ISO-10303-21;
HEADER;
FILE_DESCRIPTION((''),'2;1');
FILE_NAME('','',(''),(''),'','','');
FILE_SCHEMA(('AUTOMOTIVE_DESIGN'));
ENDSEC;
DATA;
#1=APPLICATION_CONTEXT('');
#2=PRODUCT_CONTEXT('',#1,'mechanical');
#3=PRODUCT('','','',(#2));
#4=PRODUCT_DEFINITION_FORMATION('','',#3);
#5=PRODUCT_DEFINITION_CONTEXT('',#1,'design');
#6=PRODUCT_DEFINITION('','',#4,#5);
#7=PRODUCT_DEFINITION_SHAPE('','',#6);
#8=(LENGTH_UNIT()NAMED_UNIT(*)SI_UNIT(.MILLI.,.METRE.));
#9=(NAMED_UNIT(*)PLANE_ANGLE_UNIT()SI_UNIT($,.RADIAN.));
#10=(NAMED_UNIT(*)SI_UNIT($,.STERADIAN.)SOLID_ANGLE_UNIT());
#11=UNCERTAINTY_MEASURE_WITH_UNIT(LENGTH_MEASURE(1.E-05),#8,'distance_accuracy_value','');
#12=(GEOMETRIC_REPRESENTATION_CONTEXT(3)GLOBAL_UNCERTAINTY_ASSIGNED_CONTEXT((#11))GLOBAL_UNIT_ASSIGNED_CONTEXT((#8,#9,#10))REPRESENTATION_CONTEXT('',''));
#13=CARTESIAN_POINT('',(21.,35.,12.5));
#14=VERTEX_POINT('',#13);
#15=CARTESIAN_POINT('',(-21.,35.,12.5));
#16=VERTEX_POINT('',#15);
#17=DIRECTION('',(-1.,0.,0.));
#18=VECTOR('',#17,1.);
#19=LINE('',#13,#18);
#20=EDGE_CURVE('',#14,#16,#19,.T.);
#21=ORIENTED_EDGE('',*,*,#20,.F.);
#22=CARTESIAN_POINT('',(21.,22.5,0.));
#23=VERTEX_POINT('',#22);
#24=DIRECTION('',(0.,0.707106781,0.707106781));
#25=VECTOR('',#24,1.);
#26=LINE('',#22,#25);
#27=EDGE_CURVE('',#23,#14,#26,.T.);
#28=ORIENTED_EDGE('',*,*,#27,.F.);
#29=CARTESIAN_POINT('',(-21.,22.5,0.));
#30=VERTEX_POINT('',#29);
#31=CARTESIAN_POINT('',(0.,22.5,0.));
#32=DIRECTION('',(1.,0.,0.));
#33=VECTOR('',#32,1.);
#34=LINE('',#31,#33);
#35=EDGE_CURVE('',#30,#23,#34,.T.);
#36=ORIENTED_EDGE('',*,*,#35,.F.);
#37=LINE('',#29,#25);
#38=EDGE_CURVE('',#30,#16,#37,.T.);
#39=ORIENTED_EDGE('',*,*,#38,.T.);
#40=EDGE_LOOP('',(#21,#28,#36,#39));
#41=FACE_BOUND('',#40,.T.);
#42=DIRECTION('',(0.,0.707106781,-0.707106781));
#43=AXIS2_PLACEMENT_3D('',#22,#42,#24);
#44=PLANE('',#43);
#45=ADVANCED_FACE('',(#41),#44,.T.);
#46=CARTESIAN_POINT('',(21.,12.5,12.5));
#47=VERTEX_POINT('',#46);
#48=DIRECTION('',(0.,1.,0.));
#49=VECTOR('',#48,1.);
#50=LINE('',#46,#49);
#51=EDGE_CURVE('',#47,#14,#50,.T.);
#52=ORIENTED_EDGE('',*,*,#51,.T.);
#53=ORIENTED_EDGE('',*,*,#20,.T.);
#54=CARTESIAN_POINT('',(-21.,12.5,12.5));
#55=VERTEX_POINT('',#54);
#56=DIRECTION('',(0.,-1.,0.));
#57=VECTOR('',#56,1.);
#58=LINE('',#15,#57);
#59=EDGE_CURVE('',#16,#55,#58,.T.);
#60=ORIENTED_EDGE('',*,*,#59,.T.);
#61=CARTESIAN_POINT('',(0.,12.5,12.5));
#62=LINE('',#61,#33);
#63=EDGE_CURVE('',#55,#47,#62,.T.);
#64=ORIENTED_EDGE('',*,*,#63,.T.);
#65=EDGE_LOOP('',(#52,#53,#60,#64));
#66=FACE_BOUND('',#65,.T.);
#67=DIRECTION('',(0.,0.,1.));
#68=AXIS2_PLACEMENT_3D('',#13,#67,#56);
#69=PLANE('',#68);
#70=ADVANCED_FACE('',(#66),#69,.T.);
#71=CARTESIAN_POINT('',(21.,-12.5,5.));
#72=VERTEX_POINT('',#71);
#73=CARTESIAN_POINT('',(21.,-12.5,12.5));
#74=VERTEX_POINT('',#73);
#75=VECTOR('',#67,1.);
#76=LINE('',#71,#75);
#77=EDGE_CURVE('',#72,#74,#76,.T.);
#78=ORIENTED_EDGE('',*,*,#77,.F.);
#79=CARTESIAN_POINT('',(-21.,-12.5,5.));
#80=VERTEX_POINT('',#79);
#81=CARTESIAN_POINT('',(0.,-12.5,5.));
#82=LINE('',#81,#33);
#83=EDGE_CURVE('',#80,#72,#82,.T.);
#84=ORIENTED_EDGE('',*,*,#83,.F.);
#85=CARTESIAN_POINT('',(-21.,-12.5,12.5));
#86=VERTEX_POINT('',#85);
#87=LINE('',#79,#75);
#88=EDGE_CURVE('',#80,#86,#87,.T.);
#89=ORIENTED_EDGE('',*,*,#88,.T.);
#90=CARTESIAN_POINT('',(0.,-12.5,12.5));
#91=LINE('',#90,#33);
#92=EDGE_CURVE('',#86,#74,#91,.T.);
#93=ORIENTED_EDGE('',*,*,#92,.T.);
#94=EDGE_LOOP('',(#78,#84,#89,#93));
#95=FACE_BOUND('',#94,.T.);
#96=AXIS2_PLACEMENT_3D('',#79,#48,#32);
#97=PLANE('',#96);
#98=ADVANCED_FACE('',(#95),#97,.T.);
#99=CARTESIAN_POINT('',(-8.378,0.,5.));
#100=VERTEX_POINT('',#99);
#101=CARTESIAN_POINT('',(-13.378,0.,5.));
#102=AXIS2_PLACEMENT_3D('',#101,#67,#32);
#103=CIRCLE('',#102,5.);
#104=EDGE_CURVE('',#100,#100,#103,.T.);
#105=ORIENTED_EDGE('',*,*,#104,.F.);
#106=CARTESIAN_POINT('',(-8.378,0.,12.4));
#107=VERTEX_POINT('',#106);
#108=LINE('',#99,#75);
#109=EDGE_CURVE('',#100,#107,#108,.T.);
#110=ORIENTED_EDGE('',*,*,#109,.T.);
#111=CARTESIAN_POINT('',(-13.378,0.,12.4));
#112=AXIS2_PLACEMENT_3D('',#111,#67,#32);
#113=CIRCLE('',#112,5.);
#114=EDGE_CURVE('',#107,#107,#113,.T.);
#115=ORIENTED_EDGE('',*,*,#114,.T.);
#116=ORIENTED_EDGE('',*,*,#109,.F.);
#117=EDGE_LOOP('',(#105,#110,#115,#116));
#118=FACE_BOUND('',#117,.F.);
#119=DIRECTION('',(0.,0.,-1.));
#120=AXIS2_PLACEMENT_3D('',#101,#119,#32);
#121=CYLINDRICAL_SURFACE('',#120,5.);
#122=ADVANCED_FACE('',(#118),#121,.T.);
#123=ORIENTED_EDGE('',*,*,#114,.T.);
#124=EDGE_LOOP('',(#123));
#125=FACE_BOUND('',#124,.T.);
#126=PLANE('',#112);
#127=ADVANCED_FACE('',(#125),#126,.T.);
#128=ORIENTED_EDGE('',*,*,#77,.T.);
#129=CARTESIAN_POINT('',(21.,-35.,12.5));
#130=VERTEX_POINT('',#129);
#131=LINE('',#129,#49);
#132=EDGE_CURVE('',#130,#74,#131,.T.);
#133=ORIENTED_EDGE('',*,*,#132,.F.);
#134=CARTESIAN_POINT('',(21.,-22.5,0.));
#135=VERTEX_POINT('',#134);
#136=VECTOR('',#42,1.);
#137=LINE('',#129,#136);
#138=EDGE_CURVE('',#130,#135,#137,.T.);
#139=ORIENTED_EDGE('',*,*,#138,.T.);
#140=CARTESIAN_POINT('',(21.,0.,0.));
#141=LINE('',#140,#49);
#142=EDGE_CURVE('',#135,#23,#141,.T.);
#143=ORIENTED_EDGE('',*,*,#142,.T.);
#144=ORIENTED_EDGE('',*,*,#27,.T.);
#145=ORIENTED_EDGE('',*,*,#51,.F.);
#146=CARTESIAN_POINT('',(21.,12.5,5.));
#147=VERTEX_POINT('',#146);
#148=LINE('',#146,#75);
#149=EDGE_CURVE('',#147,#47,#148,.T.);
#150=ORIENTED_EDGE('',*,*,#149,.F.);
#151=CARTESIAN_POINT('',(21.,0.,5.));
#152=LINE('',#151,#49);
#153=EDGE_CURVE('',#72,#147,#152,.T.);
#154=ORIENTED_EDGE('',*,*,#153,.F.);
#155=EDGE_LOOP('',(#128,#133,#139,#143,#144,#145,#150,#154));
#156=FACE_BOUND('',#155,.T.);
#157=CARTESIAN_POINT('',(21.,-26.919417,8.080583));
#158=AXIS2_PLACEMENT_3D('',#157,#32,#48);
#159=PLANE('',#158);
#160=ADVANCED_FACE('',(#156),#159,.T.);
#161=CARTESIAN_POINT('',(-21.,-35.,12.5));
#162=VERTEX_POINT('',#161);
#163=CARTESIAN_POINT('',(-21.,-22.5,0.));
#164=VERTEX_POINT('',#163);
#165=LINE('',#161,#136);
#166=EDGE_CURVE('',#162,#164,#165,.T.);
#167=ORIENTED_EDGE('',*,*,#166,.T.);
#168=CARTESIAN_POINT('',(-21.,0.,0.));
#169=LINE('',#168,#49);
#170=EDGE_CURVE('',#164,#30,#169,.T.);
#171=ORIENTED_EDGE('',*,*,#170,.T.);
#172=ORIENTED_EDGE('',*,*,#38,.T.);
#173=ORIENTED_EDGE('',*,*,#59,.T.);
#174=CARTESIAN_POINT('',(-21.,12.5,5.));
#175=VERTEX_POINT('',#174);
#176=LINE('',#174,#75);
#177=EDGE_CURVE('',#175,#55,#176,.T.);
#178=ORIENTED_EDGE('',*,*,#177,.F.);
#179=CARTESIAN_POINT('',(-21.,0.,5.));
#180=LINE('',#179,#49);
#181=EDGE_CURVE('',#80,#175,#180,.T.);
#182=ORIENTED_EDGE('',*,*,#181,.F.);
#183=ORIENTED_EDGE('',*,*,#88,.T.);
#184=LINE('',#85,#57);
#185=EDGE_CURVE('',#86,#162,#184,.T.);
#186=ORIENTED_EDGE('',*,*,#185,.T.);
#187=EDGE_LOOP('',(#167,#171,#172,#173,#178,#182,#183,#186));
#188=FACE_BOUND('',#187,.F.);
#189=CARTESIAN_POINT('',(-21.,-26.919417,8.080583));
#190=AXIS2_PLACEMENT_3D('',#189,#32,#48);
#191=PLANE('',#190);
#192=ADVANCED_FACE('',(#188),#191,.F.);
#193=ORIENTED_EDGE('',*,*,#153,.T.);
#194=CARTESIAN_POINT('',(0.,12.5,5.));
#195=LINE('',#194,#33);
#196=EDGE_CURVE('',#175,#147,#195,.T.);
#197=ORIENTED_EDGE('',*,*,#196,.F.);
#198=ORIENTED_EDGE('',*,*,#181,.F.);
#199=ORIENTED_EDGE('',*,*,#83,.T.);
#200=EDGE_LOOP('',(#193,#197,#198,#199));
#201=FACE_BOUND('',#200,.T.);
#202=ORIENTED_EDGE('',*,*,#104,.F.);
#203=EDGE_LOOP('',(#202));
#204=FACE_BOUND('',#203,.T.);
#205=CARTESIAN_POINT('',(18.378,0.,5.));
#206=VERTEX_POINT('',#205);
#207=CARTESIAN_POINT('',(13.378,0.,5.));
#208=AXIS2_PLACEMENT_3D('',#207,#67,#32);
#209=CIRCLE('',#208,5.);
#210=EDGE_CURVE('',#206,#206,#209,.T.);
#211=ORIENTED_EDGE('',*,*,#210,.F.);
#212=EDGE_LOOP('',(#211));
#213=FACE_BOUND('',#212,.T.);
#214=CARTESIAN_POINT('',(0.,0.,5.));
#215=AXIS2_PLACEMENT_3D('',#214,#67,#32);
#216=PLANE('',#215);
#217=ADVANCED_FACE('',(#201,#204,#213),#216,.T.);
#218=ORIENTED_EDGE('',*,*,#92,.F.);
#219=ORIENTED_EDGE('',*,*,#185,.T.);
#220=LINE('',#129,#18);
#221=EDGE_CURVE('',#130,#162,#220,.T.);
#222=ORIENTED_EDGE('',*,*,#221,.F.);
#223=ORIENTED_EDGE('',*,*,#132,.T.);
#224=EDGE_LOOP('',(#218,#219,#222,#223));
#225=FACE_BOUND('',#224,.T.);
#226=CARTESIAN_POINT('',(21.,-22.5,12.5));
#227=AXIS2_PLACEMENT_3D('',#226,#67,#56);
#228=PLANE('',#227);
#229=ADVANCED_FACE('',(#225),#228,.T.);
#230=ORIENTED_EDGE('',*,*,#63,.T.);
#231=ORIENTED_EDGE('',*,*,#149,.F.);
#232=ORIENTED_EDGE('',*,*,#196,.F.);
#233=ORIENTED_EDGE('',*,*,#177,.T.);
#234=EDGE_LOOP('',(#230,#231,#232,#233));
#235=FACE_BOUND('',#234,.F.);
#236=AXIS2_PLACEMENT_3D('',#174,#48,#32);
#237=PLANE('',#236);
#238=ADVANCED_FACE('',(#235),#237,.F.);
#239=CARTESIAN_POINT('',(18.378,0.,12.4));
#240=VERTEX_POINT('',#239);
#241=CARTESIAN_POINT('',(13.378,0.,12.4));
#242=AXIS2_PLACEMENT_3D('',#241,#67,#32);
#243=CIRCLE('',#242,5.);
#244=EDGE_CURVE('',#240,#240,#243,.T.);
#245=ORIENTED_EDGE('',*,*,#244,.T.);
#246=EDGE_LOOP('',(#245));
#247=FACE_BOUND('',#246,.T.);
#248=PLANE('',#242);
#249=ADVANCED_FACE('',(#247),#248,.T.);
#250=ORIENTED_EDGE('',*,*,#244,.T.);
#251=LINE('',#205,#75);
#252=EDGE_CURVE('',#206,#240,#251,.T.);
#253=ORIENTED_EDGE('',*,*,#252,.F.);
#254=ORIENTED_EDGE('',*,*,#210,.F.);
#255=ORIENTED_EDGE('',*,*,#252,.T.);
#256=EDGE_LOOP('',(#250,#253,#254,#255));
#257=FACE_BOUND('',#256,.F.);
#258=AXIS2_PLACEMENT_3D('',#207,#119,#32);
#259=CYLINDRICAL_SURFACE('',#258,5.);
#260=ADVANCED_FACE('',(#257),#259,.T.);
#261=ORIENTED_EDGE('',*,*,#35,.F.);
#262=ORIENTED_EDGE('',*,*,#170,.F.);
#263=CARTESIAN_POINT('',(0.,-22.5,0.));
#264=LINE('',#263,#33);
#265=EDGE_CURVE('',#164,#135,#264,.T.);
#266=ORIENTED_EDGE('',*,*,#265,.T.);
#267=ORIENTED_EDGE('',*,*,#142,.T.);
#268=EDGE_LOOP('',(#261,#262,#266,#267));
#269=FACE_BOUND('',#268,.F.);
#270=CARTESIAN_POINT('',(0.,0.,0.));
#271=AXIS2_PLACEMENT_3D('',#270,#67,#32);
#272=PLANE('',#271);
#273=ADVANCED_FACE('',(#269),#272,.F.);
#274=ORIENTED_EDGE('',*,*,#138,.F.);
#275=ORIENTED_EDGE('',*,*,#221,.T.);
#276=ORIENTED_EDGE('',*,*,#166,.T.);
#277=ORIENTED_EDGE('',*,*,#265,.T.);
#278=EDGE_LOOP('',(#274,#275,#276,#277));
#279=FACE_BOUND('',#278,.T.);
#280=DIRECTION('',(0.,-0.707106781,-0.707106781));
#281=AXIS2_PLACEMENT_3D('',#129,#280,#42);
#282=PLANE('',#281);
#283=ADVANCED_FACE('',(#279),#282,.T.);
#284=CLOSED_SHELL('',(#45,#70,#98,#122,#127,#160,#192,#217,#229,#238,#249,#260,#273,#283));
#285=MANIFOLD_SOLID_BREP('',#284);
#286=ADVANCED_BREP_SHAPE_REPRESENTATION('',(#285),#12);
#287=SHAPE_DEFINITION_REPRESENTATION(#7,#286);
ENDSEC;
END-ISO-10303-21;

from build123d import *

# Parameters (mm, degrees)
F0_W     = 42
F0_H     = 45
F1_DEPTH = 5
F2_R     = 5
F3_DEPTH = 7.4
F4_W     = 42
F4_H     = 10
F5_DEPTH = 7.5
F7_DEPTH = 42
F9_DEPTH = 42


with BuildPart() as f1:
    # F0 (on Top) → F1 (new body)
    with BuildSketch(Plane.XY):
        Rectangle(F0_W, F0_H)
    extrude(amount=F1_DEPTH)

    # F2 (on face) → F3 (join)
    with BuildSketch(Plane.XY.offset(5)):
        with Locations((-13.378, 0)):
            Circle(F2_R)
        with Locations((13.378, 0)):
            Circle(F2_R)
    extrude(amount=F3_DEPTH)

    # F4 (on face) → F5 (join)
    with BuildSketch(Plane.XY.offset(5)):
        with Locations((0, 17.5)):
            Rectangle(F4_W, F4_H)
        with Locations((0, -17.5)):
            Rectangle(F4_W, F4_H)
    extrude(amount=F5_DEPTH)

    # F6 (on face) → F7 (join)
    with BuildSketch(Plane.YZ.offset(21)):
        Polygon((22.5, 12.5), (22.5, 0), (35, 12.5), align=None)
    extrude(amount=-F7_DEPTH)

    # F8 (on face) → F9 (join)
    with BuildSketch(Plane.YZ.offset(21)):
        Polygon((-35, 12.5), (-22.5, 0), (-22.5, 12.5), align=None)
    extrude(amount=-F9_DEPTH)


solid = f1.part
